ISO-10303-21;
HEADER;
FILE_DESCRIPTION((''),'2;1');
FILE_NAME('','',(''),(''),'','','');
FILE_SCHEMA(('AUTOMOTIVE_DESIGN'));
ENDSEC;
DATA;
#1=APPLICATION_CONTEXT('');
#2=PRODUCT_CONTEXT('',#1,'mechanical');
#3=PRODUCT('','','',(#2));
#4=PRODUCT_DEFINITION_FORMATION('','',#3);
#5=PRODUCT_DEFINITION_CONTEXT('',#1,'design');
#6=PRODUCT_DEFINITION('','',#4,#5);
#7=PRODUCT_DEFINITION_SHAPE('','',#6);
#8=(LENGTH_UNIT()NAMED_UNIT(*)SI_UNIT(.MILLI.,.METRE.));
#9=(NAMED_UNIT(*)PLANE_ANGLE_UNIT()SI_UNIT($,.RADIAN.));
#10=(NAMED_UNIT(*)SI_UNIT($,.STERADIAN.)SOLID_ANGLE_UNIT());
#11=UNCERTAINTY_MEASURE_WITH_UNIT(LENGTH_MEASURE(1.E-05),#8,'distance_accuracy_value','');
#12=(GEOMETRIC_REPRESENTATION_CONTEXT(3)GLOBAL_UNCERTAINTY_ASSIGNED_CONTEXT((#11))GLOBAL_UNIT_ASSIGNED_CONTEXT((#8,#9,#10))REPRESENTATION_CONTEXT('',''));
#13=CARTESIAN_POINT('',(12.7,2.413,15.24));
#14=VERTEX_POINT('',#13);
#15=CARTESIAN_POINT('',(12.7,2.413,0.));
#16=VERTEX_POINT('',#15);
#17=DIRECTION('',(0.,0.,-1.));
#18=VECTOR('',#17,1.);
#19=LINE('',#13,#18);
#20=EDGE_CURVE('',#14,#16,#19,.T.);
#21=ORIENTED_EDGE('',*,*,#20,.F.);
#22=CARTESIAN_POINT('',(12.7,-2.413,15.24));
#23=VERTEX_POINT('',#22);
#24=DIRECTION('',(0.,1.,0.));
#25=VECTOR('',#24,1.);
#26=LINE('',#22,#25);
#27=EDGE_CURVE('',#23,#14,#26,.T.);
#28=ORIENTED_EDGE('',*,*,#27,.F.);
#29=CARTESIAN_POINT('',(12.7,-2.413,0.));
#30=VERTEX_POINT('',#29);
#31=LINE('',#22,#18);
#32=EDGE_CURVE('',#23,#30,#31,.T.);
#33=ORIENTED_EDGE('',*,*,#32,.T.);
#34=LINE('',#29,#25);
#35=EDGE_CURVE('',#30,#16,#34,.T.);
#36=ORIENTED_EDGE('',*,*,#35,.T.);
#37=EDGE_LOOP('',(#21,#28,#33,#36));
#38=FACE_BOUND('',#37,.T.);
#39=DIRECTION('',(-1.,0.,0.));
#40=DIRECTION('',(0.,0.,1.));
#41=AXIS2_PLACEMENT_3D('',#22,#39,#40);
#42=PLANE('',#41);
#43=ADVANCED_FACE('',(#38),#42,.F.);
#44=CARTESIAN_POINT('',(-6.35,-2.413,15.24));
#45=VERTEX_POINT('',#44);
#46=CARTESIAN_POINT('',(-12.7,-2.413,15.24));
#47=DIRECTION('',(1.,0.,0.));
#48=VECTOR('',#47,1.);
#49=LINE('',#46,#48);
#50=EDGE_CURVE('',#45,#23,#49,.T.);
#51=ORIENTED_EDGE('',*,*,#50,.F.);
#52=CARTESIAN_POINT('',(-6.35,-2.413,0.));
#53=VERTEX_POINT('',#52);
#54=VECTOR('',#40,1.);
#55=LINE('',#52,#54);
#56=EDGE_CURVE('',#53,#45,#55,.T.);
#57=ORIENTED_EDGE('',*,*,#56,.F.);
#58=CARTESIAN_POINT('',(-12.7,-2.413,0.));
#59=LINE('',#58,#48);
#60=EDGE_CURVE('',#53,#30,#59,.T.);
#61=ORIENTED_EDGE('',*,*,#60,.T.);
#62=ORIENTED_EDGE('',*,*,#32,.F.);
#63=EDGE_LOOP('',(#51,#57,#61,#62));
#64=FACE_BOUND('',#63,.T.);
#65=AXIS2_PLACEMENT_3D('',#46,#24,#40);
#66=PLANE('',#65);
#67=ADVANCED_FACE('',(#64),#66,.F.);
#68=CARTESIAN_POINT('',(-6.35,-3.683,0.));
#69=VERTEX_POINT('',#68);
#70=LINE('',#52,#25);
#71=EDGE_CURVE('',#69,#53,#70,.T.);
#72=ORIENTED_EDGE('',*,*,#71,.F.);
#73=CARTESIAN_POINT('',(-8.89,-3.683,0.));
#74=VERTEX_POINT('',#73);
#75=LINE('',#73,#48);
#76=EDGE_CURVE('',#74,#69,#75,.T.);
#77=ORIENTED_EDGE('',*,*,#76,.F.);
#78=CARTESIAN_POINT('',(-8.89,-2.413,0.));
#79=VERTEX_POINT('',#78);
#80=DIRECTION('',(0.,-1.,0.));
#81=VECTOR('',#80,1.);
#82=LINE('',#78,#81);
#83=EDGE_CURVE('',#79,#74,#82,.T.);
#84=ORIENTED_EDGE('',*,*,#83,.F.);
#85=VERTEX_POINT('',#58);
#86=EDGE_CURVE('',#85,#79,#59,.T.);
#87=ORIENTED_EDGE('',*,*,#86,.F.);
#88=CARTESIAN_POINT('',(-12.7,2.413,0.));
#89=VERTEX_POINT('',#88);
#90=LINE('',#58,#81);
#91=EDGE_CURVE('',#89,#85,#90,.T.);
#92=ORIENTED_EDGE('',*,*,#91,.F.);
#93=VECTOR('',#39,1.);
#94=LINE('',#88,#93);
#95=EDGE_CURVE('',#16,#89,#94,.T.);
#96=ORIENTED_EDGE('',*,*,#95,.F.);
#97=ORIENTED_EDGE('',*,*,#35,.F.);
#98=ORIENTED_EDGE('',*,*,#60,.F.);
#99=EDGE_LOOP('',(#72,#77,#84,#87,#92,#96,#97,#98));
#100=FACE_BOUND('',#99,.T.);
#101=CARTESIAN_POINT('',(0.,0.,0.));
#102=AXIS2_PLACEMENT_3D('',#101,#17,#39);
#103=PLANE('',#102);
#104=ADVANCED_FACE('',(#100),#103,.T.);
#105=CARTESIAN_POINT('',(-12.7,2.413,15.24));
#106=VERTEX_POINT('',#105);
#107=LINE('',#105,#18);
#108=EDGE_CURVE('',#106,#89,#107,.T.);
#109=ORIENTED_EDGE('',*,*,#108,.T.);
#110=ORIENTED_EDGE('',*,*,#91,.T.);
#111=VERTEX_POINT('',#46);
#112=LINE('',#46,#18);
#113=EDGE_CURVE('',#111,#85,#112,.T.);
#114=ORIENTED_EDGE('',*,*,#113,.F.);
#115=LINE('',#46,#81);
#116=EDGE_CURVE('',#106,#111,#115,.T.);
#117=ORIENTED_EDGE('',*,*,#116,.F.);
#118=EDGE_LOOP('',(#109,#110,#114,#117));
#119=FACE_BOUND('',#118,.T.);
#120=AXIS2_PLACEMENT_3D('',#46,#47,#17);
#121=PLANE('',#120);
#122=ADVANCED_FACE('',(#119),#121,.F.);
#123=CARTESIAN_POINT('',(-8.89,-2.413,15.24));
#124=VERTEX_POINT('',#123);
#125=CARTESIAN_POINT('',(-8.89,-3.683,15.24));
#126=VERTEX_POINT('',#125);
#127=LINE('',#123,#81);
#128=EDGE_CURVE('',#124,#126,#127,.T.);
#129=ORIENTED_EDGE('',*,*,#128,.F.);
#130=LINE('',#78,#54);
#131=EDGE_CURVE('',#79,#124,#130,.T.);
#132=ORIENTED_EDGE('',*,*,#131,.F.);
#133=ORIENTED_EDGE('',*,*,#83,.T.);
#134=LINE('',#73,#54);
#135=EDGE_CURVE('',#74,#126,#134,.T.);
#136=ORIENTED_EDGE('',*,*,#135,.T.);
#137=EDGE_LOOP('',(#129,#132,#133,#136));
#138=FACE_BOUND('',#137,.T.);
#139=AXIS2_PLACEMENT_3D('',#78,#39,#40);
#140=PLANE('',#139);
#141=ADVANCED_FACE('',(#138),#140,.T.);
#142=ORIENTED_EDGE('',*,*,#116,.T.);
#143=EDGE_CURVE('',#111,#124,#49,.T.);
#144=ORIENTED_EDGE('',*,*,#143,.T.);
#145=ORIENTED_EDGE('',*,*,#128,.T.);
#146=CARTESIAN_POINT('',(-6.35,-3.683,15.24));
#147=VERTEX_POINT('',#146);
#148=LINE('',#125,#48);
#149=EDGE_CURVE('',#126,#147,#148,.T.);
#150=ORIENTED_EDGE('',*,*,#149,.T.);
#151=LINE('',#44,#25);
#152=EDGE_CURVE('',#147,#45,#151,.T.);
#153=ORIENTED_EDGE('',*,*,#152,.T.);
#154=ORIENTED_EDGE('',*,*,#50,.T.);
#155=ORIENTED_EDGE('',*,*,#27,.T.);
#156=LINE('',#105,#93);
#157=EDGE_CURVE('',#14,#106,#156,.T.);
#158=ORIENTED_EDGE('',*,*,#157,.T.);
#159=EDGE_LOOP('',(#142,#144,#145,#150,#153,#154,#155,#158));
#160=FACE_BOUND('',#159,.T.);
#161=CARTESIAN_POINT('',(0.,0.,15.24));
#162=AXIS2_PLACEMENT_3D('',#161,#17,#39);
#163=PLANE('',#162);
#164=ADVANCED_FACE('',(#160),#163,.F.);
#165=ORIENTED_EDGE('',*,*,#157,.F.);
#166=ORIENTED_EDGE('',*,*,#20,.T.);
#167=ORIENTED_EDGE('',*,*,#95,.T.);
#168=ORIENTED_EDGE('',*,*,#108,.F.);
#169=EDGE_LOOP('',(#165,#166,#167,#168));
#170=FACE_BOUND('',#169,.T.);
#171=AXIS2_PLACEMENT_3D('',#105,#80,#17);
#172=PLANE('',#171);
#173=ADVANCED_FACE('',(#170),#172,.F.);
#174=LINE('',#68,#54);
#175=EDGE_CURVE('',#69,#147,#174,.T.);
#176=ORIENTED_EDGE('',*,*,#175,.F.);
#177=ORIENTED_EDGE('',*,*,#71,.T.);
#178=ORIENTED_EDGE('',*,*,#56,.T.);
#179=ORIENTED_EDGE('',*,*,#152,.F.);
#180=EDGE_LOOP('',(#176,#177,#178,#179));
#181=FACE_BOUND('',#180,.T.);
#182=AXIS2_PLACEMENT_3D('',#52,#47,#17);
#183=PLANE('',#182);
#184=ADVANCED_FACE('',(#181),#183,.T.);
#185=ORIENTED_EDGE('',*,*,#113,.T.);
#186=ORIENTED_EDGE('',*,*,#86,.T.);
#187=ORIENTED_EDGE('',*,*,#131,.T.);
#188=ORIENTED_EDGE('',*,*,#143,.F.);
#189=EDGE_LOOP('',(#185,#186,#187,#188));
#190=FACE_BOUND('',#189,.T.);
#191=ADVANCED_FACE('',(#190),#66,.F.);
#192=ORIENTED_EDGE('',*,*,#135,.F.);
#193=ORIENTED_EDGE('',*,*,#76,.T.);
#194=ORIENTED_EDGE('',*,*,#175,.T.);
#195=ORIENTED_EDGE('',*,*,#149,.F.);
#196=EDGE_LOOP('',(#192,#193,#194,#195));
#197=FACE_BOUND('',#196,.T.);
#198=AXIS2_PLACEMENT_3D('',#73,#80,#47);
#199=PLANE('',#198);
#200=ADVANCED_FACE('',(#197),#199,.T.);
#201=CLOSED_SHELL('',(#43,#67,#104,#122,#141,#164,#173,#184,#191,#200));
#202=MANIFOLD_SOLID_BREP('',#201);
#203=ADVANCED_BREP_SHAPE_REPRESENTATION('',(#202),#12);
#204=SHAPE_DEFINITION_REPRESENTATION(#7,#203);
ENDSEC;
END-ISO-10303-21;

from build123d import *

# Parameters (mm, degrees)
SKETCH1_W           = 25.4
SKETCH1_H           = 4.826
BOSS_EXTRUDE1_DEPTH = 15.24
SKETCH2_W           = 2.54
SKETCH2_H           = 1.27
BOSS_EXTRUDE2_DEPTH = 15.24


with BuildPart() as part:
    # Sketch1 → Boss-Extrude1 (new body)
    with BuildSketch(Plane.XY):
        Rectangle(SKETCH1_W, SKETCH1_H)
    extrude(amount=BOSS_EXTRUDE1_DEPTH)

    # Sketch2 → Boss-Extrude2 (add)
    with BuildSketch(Plane.XY.offset(15.24)):
        with Locations((-7.62, -3.048)):
            Rectangle(SKETCH2_W, SKETCH2_H)
    extrude(amount=-BOSS_EXTRUDE2_DEPTH)


solid = part.part
